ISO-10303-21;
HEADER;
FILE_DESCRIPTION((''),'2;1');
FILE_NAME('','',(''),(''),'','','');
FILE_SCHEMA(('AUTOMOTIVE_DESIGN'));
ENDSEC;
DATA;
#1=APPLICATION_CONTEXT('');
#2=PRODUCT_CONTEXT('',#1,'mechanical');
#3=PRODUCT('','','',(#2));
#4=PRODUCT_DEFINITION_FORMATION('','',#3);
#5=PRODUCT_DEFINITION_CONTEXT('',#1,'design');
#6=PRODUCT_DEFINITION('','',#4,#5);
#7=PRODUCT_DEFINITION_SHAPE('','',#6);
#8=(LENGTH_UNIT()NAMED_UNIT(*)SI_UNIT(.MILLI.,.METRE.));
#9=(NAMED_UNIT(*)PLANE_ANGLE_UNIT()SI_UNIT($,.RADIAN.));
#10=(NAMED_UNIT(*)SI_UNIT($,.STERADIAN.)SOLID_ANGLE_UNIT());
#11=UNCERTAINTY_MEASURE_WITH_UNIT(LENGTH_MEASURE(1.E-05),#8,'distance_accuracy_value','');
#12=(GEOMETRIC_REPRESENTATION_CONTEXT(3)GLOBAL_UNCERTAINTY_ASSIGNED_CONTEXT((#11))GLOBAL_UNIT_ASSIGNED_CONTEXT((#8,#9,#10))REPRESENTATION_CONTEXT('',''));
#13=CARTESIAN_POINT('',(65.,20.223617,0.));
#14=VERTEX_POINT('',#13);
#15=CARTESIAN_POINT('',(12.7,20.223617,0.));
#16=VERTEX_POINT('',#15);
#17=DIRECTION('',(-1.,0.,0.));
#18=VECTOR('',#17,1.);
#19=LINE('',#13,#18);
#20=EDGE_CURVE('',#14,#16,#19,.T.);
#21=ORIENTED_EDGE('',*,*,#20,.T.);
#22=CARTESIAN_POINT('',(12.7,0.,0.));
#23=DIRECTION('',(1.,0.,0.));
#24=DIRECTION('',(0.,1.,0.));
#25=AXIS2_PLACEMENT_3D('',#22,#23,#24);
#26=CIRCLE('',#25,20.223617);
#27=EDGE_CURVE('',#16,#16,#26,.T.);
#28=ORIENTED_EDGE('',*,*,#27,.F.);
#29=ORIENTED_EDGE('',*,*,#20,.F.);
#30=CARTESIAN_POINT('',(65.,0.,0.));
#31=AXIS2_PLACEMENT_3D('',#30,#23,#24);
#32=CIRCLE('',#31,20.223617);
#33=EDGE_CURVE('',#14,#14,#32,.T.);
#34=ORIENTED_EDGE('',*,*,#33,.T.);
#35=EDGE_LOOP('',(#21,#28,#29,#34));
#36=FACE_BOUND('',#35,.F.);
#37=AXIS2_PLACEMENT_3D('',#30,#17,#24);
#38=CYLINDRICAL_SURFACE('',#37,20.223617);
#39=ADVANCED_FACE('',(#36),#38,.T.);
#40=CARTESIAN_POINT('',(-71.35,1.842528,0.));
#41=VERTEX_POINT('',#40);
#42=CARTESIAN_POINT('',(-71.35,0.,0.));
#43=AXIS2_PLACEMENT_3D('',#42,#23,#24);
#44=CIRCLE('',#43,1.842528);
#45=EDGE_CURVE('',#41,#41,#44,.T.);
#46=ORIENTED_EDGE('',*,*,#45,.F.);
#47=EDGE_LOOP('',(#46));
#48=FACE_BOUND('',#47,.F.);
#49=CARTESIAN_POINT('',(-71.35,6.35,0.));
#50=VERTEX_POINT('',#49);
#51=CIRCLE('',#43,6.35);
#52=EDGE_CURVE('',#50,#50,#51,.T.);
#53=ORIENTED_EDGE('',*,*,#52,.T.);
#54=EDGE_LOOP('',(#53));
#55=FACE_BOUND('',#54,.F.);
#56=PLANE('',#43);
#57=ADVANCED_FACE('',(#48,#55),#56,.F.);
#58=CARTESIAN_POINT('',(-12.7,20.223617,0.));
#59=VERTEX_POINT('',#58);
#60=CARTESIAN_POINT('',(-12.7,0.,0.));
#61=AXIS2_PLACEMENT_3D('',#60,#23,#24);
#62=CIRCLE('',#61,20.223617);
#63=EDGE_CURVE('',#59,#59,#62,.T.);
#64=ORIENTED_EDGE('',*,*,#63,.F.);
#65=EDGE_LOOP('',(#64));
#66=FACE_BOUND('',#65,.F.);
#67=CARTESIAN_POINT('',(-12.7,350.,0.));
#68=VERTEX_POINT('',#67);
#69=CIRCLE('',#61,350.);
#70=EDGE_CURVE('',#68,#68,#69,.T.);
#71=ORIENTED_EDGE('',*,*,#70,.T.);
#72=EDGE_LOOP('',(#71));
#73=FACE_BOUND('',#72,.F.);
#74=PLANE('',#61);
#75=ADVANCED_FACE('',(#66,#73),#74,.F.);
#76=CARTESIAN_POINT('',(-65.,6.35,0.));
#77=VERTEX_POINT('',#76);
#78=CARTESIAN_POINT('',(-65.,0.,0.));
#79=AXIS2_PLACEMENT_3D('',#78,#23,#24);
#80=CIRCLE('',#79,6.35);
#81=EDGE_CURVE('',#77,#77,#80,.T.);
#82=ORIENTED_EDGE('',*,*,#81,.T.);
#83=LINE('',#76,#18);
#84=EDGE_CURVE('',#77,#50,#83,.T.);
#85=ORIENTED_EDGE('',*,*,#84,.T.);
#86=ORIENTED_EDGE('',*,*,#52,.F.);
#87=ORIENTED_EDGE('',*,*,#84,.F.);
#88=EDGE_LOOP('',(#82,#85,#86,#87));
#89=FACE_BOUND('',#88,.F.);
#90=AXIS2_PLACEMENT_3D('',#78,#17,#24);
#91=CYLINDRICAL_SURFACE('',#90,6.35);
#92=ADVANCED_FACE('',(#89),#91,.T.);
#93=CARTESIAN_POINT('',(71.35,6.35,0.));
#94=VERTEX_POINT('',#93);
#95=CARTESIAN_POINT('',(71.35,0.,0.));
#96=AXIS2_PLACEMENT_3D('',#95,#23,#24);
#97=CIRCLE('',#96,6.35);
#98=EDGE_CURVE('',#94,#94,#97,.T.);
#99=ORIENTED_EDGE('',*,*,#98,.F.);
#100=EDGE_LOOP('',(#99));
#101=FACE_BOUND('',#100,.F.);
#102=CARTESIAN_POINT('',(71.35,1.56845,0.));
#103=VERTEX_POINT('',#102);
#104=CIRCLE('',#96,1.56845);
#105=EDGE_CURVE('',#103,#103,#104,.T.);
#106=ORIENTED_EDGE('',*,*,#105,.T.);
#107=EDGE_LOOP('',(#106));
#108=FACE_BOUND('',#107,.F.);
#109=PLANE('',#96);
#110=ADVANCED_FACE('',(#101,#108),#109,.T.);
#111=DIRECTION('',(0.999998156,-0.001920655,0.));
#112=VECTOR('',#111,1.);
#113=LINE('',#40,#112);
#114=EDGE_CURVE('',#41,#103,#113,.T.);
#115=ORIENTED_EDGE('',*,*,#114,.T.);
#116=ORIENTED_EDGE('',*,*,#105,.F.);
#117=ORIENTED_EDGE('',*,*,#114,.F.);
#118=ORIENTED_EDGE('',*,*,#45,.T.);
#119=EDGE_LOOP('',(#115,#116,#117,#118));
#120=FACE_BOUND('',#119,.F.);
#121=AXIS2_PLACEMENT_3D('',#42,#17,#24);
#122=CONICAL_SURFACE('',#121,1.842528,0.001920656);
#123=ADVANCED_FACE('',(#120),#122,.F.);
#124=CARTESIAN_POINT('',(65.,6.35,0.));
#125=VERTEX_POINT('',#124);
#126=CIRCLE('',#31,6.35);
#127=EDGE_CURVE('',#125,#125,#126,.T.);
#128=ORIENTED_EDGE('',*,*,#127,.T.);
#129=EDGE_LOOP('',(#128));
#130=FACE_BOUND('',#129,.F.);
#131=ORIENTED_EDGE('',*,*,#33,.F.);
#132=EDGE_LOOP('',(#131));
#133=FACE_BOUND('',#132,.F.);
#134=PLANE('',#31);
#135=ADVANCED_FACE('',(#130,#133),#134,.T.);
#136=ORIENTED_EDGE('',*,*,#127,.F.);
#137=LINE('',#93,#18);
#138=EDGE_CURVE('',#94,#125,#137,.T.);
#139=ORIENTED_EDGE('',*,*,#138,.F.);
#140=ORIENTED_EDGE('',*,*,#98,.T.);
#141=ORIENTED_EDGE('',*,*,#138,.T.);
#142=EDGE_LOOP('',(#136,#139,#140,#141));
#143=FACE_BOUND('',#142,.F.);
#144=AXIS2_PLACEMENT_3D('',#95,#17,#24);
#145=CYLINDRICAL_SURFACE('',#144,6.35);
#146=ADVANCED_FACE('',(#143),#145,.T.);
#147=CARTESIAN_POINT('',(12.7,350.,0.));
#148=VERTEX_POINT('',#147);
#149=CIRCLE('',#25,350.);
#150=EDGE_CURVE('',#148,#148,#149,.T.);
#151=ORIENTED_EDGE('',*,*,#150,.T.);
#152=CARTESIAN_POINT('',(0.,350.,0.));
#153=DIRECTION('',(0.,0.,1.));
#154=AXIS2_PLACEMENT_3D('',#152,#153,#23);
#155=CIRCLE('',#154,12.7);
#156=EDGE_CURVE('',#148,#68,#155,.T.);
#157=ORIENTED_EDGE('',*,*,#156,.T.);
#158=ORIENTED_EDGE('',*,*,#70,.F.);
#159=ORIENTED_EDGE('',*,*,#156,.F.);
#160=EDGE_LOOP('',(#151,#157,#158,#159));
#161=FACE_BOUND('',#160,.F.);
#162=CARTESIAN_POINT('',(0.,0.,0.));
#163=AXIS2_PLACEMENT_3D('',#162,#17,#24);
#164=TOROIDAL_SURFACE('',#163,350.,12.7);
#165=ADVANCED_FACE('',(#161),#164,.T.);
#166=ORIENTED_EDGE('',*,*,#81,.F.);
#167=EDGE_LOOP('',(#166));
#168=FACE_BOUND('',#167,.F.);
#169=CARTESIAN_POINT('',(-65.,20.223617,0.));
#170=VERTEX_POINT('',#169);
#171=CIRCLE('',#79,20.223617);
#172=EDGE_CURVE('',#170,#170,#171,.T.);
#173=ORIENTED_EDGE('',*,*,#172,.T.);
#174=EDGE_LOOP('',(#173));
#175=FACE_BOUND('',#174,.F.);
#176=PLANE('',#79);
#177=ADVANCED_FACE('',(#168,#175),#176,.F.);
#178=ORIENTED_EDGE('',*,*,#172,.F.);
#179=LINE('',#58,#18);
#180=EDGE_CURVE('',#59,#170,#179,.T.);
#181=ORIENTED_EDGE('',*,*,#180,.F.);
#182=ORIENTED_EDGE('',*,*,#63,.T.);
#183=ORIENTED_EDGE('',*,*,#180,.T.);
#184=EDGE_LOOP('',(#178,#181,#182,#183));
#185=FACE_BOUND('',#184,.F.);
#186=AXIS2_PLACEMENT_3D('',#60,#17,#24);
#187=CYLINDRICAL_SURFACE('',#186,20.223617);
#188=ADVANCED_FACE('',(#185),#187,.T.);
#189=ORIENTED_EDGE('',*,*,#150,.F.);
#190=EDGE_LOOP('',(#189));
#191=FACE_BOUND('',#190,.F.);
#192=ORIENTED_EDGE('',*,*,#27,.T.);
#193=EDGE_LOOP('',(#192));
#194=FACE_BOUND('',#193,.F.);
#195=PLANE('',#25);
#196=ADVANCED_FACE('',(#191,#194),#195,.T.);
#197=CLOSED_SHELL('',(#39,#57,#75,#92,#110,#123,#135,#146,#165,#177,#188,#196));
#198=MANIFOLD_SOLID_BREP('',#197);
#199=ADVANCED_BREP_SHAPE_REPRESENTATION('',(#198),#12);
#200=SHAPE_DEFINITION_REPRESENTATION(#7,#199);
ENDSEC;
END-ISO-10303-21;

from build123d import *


with BuildPart() as f1:
    # F0 (on Top) → F1 (revolve)
    with BuildSketch(Plane.XY):
        with BuildLine():
            Line((-12.7, 20.223617), (-65, 20.223617))
            Line((-65, 20.223617), (-65, 6.35))
            Line((-65, 6.35), (-71.35, 6.35))
            Line((-71.35, 6.35), (-71.35, 1.842528))
            Line((-71.35, 1.842528), (71.35, 1.56845))
            Line((71.35, 1.56845), (71.35, 6.35))
            Line((71.35, 6.35), (65, 6.35))
            Line((65, 6.35), (65, 20.223617))
            Line((65, 20.223617), (12.7, 20.223617))
            Line((12.7, 20.223617), (12.7, 350))
            ThreePointArc((12.7, 350), (0, 362.7), (-12.7, 350))
            Line((-12.7, 350), (-12.7, 20.223617))
        make_face()
    revolve(axis=Axis((-0.351042, 0, 0), (1, 0, 0)))


solid = f1.part
